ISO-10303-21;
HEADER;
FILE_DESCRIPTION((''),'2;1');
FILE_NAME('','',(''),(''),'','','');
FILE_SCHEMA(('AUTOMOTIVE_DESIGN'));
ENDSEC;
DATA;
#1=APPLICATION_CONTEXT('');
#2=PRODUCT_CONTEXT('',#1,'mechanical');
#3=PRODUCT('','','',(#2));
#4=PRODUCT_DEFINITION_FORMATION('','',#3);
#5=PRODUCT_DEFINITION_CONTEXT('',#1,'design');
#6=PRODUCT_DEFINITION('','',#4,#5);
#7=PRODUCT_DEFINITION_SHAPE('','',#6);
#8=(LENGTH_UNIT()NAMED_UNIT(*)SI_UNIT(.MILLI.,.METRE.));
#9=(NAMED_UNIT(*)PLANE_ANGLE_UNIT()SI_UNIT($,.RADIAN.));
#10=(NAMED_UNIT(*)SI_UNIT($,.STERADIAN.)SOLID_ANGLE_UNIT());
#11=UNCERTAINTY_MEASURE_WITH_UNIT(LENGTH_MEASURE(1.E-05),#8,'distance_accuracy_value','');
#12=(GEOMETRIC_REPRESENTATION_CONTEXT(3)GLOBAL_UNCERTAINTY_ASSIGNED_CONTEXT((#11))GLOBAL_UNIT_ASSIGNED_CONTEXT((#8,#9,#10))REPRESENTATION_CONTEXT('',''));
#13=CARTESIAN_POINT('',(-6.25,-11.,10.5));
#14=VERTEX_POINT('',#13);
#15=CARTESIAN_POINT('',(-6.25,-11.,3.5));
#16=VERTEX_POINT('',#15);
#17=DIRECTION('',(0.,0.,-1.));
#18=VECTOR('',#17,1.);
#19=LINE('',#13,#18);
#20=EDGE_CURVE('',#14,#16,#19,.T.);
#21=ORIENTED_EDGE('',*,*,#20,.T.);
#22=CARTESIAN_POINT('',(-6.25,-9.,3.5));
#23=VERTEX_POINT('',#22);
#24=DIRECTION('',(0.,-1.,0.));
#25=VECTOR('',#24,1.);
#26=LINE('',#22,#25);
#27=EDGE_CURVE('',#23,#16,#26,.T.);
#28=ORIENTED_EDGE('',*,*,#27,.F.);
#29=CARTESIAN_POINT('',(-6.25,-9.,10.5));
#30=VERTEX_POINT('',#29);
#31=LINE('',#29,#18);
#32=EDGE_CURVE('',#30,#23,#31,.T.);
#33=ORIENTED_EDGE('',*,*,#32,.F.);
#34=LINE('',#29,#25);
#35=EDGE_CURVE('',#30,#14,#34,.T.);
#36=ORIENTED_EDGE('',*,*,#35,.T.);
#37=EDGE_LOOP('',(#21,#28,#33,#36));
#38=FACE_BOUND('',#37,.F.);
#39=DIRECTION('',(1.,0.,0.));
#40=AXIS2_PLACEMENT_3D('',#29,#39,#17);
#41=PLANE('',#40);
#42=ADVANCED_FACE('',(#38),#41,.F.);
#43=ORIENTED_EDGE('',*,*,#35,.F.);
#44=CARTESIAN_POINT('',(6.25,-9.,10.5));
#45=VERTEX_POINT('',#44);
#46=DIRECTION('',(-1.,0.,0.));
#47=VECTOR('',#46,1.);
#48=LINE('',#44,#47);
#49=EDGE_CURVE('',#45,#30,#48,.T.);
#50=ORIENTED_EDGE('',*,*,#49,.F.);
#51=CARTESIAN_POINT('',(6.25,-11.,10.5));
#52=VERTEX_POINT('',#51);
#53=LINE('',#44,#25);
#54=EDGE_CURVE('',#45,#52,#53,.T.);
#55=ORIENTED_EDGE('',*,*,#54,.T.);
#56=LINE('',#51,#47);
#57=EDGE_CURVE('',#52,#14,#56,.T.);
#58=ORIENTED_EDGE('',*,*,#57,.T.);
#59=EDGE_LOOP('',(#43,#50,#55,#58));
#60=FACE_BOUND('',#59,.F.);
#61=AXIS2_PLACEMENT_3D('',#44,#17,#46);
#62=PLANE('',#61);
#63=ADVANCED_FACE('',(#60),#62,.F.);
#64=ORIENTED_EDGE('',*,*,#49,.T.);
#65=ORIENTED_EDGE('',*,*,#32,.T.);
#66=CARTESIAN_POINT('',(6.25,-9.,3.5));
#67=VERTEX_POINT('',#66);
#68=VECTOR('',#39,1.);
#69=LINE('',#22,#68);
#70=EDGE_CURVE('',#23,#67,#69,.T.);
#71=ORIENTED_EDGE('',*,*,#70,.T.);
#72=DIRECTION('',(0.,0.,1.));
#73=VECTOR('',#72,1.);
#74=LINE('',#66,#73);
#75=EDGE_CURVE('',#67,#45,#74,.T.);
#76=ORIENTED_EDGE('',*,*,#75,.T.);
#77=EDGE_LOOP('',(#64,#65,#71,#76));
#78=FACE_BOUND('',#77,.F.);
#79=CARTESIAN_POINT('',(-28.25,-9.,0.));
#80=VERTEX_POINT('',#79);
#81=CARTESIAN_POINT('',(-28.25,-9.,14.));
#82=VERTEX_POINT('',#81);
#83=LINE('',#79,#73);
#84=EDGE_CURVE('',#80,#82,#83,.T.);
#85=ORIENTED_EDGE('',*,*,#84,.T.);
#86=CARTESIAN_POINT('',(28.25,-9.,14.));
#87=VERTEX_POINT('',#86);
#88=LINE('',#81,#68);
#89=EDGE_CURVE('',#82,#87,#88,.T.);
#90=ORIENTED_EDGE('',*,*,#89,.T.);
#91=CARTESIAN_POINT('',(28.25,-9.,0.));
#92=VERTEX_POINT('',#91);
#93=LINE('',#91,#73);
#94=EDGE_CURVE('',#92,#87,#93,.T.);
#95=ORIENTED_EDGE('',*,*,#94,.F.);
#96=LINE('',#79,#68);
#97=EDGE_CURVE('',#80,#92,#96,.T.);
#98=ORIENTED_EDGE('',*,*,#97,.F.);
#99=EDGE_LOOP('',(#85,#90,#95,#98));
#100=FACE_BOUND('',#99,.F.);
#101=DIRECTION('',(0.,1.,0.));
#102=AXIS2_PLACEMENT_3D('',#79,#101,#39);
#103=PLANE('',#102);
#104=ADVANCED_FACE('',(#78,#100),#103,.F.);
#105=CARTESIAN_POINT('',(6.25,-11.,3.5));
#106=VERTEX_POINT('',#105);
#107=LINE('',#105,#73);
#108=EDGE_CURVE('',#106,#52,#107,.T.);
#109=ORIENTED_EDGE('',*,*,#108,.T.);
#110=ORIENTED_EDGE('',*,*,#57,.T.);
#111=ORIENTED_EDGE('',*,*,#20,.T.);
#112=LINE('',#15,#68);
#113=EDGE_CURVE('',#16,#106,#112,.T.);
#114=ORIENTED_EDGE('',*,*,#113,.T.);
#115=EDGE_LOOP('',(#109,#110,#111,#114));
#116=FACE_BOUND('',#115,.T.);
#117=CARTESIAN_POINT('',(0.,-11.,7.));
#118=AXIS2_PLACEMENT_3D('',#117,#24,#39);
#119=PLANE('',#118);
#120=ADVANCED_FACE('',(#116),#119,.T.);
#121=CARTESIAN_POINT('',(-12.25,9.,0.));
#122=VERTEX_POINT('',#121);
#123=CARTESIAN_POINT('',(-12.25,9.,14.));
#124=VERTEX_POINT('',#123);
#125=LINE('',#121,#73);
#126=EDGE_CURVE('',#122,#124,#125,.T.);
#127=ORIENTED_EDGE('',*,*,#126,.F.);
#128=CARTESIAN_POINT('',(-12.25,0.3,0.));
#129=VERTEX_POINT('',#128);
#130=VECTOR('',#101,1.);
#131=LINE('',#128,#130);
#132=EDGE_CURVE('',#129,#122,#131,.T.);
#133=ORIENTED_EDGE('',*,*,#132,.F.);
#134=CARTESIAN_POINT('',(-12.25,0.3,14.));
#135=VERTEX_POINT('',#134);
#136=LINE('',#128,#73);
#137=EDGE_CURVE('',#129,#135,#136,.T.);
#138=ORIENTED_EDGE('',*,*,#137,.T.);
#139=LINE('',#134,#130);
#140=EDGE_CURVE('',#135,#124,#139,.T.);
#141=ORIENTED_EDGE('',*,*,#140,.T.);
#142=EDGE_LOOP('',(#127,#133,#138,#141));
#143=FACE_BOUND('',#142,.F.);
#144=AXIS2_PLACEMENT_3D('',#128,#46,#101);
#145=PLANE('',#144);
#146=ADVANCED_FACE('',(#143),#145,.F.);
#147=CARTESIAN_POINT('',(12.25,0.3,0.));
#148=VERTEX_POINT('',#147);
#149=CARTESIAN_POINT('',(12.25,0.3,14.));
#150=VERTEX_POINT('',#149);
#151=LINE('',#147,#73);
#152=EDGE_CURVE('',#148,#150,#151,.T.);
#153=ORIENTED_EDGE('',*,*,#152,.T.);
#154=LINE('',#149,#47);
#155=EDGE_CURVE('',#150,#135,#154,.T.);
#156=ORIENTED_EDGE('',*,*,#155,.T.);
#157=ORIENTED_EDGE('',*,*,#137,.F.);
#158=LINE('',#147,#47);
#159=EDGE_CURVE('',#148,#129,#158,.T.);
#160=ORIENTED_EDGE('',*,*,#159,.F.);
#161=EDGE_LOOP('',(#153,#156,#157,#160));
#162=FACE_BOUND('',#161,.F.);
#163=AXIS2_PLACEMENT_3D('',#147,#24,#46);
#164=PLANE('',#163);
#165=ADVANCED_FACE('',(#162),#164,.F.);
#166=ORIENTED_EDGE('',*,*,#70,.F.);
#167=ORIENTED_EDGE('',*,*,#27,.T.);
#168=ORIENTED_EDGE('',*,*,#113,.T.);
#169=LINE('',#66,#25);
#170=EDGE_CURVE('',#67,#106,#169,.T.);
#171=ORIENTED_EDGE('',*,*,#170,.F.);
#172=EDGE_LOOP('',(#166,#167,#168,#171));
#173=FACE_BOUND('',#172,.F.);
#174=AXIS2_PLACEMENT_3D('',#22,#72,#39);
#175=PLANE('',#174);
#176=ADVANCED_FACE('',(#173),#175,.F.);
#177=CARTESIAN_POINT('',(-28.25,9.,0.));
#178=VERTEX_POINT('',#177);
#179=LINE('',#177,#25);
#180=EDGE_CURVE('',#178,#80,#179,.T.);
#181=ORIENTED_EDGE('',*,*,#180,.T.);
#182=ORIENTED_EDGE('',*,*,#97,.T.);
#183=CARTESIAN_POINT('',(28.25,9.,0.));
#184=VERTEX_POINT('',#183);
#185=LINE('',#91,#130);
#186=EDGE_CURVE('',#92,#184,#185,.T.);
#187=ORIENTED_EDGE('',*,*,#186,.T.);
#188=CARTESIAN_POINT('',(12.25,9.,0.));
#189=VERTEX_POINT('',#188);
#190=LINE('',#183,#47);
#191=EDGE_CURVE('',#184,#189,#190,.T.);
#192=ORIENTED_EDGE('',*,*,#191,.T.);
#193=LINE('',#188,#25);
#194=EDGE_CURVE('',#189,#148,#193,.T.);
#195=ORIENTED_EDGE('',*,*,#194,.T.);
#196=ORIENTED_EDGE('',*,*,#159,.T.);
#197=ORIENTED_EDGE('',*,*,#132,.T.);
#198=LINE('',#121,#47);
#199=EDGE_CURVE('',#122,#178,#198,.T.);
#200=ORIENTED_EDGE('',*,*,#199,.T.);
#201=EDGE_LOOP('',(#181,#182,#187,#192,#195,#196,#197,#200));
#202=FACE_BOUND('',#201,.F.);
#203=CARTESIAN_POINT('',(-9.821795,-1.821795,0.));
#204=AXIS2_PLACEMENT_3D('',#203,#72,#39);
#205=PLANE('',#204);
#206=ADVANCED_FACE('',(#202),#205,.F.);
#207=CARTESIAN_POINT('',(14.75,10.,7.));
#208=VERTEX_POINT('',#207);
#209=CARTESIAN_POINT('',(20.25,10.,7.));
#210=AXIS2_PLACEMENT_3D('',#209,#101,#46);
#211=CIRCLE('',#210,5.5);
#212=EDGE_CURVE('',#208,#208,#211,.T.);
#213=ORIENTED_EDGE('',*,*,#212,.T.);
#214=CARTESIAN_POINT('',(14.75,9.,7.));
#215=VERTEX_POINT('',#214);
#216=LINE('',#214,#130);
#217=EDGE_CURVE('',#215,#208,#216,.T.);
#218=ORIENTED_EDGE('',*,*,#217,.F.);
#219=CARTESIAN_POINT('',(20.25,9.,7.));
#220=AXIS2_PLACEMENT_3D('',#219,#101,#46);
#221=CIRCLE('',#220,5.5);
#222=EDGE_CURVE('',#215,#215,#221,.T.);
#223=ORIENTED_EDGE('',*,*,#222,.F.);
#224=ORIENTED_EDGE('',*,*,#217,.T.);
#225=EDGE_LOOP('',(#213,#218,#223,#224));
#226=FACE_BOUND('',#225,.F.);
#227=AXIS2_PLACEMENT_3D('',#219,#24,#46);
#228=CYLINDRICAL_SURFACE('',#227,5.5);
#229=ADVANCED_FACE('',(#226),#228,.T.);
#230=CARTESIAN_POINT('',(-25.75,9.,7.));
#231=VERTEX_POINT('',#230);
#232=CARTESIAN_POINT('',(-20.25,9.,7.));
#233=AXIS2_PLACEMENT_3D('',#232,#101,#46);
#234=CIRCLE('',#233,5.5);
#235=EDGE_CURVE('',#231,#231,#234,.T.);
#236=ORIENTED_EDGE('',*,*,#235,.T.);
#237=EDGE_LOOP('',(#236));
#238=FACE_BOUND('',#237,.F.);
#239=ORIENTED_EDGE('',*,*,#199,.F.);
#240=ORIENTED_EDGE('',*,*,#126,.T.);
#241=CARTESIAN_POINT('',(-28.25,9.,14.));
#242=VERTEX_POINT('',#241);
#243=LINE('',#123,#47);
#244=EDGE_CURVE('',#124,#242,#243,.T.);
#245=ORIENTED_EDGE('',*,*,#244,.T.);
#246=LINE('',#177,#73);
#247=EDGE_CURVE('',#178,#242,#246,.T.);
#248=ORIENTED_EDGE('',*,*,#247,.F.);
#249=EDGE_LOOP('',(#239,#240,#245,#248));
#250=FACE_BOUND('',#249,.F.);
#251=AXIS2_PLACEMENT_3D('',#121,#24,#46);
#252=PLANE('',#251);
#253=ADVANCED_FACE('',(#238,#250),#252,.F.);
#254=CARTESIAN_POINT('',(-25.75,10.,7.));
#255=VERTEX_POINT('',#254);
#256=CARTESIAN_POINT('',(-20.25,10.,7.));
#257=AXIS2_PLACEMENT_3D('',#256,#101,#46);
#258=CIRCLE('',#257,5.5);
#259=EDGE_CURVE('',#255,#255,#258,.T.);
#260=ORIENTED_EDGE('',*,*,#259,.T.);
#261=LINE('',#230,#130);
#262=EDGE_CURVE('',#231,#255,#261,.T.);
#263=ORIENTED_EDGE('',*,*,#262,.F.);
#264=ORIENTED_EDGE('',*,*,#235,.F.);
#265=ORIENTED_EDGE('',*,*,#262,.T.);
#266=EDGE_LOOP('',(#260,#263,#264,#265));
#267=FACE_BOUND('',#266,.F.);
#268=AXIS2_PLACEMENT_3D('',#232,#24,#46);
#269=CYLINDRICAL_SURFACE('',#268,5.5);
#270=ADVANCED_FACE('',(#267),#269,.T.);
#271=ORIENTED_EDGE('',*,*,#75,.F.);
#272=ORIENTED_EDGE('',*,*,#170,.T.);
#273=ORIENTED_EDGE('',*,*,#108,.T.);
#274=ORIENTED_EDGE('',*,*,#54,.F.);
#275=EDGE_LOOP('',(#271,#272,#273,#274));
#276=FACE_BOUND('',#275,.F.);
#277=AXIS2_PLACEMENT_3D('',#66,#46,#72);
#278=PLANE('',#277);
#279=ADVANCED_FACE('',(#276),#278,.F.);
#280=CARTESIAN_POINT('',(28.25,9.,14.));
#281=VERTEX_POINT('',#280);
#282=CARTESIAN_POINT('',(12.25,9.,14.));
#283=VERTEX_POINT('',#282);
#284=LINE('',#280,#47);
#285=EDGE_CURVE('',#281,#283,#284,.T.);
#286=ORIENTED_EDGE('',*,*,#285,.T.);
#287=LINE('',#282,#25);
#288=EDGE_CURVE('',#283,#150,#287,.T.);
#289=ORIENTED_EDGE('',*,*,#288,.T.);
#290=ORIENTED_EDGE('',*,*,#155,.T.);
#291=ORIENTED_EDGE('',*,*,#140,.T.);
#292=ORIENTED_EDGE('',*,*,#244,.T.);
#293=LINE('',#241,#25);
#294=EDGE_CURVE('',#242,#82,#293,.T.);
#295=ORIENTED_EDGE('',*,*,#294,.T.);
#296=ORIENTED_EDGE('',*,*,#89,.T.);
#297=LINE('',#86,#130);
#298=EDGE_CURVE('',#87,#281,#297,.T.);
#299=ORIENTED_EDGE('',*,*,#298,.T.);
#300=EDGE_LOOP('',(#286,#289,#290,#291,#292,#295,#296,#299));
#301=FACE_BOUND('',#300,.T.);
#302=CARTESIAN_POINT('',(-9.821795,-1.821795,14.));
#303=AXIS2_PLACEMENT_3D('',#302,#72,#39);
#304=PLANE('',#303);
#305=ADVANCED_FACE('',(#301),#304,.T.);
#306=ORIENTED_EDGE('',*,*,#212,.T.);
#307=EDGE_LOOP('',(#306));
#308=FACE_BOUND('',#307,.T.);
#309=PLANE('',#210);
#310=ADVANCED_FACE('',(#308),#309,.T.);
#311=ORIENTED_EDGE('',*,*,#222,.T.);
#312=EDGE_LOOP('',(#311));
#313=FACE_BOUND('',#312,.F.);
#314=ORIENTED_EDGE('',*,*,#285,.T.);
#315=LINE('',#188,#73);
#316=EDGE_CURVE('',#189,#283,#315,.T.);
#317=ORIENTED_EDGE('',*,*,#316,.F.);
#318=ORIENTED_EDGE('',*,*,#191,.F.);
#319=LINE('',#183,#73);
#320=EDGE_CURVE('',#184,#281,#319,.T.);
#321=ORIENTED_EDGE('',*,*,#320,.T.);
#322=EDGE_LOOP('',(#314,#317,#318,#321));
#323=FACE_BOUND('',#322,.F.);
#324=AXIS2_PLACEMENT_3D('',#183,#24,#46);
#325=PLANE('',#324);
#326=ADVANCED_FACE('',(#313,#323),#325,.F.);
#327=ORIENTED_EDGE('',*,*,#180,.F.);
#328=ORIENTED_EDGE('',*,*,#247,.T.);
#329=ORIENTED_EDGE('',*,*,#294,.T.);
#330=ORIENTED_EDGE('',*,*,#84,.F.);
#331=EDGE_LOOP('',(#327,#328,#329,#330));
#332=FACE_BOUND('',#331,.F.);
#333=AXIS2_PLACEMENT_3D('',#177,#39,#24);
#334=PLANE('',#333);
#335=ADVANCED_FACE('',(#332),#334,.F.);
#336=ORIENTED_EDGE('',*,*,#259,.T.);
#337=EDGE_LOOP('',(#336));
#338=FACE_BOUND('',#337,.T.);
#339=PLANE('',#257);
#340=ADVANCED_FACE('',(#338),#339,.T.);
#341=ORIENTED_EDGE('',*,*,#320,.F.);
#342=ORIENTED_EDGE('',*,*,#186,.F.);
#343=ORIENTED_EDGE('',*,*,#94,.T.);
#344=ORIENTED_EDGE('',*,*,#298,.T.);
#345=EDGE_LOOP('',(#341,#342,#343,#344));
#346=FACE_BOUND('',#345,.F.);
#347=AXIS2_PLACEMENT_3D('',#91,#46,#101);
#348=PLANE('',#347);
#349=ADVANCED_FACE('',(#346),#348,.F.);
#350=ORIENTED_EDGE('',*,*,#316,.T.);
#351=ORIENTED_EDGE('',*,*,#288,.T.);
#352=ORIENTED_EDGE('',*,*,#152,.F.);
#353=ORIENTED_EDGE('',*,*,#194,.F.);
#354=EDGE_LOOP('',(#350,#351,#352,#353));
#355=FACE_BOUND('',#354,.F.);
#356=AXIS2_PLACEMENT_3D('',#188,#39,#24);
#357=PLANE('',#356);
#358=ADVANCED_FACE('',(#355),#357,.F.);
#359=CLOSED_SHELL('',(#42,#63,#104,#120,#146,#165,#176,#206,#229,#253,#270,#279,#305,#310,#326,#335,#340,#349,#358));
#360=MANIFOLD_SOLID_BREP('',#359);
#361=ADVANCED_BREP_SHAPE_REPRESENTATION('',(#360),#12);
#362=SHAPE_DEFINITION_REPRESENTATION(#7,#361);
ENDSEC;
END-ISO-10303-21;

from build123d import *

# Parameters (mm, degrees)
F1_DEPTH = 14
F2_R     = 5.5
F3_DEPTH = 1
F5_DEPTH = 2


with BuildPart() as f1:
    # F0 (on Top) → F1 (new body)
    with BuildSketch(Plane.XY):
        Polygon((-12.25, 0.3), (-12.25, 9), (-28.25, 9), (-28.25, -9), (12.25, -9), (12.25, 0.3), align=None)
        Polygon((28.25, -9), (28.25, 9), (12.25, 9), (12.25, 0.3), (12.25, -9), align=None)
    extrude(amount=F1_DEPTH)

    # F2 (on face) → F3 (join)
    with BuildSketch(Plane(origin=(0, 9, 0), x_dir=(-1, 0, 0), z_dir=(0, 1, 0))):
        with Locations((-20.25, 7)):
            Circle(F2_R)
        with Locations((20.25, 7)):
            Circle(F2_R)
    extrude(amount=F3_DEPTH)

    # F4 (on face) → F5 (join)
    with BuildSketch(Plane.XZ.offset(9)):
        Polygon((-6.25, 3.5), (0, 3.5), (6.25, 3.5), (6.25, 10.5), (0, 10.5), (-6.25, 10.5), align=None)
    extrude(amount=F5_DEPTH)


solid = f1.part
